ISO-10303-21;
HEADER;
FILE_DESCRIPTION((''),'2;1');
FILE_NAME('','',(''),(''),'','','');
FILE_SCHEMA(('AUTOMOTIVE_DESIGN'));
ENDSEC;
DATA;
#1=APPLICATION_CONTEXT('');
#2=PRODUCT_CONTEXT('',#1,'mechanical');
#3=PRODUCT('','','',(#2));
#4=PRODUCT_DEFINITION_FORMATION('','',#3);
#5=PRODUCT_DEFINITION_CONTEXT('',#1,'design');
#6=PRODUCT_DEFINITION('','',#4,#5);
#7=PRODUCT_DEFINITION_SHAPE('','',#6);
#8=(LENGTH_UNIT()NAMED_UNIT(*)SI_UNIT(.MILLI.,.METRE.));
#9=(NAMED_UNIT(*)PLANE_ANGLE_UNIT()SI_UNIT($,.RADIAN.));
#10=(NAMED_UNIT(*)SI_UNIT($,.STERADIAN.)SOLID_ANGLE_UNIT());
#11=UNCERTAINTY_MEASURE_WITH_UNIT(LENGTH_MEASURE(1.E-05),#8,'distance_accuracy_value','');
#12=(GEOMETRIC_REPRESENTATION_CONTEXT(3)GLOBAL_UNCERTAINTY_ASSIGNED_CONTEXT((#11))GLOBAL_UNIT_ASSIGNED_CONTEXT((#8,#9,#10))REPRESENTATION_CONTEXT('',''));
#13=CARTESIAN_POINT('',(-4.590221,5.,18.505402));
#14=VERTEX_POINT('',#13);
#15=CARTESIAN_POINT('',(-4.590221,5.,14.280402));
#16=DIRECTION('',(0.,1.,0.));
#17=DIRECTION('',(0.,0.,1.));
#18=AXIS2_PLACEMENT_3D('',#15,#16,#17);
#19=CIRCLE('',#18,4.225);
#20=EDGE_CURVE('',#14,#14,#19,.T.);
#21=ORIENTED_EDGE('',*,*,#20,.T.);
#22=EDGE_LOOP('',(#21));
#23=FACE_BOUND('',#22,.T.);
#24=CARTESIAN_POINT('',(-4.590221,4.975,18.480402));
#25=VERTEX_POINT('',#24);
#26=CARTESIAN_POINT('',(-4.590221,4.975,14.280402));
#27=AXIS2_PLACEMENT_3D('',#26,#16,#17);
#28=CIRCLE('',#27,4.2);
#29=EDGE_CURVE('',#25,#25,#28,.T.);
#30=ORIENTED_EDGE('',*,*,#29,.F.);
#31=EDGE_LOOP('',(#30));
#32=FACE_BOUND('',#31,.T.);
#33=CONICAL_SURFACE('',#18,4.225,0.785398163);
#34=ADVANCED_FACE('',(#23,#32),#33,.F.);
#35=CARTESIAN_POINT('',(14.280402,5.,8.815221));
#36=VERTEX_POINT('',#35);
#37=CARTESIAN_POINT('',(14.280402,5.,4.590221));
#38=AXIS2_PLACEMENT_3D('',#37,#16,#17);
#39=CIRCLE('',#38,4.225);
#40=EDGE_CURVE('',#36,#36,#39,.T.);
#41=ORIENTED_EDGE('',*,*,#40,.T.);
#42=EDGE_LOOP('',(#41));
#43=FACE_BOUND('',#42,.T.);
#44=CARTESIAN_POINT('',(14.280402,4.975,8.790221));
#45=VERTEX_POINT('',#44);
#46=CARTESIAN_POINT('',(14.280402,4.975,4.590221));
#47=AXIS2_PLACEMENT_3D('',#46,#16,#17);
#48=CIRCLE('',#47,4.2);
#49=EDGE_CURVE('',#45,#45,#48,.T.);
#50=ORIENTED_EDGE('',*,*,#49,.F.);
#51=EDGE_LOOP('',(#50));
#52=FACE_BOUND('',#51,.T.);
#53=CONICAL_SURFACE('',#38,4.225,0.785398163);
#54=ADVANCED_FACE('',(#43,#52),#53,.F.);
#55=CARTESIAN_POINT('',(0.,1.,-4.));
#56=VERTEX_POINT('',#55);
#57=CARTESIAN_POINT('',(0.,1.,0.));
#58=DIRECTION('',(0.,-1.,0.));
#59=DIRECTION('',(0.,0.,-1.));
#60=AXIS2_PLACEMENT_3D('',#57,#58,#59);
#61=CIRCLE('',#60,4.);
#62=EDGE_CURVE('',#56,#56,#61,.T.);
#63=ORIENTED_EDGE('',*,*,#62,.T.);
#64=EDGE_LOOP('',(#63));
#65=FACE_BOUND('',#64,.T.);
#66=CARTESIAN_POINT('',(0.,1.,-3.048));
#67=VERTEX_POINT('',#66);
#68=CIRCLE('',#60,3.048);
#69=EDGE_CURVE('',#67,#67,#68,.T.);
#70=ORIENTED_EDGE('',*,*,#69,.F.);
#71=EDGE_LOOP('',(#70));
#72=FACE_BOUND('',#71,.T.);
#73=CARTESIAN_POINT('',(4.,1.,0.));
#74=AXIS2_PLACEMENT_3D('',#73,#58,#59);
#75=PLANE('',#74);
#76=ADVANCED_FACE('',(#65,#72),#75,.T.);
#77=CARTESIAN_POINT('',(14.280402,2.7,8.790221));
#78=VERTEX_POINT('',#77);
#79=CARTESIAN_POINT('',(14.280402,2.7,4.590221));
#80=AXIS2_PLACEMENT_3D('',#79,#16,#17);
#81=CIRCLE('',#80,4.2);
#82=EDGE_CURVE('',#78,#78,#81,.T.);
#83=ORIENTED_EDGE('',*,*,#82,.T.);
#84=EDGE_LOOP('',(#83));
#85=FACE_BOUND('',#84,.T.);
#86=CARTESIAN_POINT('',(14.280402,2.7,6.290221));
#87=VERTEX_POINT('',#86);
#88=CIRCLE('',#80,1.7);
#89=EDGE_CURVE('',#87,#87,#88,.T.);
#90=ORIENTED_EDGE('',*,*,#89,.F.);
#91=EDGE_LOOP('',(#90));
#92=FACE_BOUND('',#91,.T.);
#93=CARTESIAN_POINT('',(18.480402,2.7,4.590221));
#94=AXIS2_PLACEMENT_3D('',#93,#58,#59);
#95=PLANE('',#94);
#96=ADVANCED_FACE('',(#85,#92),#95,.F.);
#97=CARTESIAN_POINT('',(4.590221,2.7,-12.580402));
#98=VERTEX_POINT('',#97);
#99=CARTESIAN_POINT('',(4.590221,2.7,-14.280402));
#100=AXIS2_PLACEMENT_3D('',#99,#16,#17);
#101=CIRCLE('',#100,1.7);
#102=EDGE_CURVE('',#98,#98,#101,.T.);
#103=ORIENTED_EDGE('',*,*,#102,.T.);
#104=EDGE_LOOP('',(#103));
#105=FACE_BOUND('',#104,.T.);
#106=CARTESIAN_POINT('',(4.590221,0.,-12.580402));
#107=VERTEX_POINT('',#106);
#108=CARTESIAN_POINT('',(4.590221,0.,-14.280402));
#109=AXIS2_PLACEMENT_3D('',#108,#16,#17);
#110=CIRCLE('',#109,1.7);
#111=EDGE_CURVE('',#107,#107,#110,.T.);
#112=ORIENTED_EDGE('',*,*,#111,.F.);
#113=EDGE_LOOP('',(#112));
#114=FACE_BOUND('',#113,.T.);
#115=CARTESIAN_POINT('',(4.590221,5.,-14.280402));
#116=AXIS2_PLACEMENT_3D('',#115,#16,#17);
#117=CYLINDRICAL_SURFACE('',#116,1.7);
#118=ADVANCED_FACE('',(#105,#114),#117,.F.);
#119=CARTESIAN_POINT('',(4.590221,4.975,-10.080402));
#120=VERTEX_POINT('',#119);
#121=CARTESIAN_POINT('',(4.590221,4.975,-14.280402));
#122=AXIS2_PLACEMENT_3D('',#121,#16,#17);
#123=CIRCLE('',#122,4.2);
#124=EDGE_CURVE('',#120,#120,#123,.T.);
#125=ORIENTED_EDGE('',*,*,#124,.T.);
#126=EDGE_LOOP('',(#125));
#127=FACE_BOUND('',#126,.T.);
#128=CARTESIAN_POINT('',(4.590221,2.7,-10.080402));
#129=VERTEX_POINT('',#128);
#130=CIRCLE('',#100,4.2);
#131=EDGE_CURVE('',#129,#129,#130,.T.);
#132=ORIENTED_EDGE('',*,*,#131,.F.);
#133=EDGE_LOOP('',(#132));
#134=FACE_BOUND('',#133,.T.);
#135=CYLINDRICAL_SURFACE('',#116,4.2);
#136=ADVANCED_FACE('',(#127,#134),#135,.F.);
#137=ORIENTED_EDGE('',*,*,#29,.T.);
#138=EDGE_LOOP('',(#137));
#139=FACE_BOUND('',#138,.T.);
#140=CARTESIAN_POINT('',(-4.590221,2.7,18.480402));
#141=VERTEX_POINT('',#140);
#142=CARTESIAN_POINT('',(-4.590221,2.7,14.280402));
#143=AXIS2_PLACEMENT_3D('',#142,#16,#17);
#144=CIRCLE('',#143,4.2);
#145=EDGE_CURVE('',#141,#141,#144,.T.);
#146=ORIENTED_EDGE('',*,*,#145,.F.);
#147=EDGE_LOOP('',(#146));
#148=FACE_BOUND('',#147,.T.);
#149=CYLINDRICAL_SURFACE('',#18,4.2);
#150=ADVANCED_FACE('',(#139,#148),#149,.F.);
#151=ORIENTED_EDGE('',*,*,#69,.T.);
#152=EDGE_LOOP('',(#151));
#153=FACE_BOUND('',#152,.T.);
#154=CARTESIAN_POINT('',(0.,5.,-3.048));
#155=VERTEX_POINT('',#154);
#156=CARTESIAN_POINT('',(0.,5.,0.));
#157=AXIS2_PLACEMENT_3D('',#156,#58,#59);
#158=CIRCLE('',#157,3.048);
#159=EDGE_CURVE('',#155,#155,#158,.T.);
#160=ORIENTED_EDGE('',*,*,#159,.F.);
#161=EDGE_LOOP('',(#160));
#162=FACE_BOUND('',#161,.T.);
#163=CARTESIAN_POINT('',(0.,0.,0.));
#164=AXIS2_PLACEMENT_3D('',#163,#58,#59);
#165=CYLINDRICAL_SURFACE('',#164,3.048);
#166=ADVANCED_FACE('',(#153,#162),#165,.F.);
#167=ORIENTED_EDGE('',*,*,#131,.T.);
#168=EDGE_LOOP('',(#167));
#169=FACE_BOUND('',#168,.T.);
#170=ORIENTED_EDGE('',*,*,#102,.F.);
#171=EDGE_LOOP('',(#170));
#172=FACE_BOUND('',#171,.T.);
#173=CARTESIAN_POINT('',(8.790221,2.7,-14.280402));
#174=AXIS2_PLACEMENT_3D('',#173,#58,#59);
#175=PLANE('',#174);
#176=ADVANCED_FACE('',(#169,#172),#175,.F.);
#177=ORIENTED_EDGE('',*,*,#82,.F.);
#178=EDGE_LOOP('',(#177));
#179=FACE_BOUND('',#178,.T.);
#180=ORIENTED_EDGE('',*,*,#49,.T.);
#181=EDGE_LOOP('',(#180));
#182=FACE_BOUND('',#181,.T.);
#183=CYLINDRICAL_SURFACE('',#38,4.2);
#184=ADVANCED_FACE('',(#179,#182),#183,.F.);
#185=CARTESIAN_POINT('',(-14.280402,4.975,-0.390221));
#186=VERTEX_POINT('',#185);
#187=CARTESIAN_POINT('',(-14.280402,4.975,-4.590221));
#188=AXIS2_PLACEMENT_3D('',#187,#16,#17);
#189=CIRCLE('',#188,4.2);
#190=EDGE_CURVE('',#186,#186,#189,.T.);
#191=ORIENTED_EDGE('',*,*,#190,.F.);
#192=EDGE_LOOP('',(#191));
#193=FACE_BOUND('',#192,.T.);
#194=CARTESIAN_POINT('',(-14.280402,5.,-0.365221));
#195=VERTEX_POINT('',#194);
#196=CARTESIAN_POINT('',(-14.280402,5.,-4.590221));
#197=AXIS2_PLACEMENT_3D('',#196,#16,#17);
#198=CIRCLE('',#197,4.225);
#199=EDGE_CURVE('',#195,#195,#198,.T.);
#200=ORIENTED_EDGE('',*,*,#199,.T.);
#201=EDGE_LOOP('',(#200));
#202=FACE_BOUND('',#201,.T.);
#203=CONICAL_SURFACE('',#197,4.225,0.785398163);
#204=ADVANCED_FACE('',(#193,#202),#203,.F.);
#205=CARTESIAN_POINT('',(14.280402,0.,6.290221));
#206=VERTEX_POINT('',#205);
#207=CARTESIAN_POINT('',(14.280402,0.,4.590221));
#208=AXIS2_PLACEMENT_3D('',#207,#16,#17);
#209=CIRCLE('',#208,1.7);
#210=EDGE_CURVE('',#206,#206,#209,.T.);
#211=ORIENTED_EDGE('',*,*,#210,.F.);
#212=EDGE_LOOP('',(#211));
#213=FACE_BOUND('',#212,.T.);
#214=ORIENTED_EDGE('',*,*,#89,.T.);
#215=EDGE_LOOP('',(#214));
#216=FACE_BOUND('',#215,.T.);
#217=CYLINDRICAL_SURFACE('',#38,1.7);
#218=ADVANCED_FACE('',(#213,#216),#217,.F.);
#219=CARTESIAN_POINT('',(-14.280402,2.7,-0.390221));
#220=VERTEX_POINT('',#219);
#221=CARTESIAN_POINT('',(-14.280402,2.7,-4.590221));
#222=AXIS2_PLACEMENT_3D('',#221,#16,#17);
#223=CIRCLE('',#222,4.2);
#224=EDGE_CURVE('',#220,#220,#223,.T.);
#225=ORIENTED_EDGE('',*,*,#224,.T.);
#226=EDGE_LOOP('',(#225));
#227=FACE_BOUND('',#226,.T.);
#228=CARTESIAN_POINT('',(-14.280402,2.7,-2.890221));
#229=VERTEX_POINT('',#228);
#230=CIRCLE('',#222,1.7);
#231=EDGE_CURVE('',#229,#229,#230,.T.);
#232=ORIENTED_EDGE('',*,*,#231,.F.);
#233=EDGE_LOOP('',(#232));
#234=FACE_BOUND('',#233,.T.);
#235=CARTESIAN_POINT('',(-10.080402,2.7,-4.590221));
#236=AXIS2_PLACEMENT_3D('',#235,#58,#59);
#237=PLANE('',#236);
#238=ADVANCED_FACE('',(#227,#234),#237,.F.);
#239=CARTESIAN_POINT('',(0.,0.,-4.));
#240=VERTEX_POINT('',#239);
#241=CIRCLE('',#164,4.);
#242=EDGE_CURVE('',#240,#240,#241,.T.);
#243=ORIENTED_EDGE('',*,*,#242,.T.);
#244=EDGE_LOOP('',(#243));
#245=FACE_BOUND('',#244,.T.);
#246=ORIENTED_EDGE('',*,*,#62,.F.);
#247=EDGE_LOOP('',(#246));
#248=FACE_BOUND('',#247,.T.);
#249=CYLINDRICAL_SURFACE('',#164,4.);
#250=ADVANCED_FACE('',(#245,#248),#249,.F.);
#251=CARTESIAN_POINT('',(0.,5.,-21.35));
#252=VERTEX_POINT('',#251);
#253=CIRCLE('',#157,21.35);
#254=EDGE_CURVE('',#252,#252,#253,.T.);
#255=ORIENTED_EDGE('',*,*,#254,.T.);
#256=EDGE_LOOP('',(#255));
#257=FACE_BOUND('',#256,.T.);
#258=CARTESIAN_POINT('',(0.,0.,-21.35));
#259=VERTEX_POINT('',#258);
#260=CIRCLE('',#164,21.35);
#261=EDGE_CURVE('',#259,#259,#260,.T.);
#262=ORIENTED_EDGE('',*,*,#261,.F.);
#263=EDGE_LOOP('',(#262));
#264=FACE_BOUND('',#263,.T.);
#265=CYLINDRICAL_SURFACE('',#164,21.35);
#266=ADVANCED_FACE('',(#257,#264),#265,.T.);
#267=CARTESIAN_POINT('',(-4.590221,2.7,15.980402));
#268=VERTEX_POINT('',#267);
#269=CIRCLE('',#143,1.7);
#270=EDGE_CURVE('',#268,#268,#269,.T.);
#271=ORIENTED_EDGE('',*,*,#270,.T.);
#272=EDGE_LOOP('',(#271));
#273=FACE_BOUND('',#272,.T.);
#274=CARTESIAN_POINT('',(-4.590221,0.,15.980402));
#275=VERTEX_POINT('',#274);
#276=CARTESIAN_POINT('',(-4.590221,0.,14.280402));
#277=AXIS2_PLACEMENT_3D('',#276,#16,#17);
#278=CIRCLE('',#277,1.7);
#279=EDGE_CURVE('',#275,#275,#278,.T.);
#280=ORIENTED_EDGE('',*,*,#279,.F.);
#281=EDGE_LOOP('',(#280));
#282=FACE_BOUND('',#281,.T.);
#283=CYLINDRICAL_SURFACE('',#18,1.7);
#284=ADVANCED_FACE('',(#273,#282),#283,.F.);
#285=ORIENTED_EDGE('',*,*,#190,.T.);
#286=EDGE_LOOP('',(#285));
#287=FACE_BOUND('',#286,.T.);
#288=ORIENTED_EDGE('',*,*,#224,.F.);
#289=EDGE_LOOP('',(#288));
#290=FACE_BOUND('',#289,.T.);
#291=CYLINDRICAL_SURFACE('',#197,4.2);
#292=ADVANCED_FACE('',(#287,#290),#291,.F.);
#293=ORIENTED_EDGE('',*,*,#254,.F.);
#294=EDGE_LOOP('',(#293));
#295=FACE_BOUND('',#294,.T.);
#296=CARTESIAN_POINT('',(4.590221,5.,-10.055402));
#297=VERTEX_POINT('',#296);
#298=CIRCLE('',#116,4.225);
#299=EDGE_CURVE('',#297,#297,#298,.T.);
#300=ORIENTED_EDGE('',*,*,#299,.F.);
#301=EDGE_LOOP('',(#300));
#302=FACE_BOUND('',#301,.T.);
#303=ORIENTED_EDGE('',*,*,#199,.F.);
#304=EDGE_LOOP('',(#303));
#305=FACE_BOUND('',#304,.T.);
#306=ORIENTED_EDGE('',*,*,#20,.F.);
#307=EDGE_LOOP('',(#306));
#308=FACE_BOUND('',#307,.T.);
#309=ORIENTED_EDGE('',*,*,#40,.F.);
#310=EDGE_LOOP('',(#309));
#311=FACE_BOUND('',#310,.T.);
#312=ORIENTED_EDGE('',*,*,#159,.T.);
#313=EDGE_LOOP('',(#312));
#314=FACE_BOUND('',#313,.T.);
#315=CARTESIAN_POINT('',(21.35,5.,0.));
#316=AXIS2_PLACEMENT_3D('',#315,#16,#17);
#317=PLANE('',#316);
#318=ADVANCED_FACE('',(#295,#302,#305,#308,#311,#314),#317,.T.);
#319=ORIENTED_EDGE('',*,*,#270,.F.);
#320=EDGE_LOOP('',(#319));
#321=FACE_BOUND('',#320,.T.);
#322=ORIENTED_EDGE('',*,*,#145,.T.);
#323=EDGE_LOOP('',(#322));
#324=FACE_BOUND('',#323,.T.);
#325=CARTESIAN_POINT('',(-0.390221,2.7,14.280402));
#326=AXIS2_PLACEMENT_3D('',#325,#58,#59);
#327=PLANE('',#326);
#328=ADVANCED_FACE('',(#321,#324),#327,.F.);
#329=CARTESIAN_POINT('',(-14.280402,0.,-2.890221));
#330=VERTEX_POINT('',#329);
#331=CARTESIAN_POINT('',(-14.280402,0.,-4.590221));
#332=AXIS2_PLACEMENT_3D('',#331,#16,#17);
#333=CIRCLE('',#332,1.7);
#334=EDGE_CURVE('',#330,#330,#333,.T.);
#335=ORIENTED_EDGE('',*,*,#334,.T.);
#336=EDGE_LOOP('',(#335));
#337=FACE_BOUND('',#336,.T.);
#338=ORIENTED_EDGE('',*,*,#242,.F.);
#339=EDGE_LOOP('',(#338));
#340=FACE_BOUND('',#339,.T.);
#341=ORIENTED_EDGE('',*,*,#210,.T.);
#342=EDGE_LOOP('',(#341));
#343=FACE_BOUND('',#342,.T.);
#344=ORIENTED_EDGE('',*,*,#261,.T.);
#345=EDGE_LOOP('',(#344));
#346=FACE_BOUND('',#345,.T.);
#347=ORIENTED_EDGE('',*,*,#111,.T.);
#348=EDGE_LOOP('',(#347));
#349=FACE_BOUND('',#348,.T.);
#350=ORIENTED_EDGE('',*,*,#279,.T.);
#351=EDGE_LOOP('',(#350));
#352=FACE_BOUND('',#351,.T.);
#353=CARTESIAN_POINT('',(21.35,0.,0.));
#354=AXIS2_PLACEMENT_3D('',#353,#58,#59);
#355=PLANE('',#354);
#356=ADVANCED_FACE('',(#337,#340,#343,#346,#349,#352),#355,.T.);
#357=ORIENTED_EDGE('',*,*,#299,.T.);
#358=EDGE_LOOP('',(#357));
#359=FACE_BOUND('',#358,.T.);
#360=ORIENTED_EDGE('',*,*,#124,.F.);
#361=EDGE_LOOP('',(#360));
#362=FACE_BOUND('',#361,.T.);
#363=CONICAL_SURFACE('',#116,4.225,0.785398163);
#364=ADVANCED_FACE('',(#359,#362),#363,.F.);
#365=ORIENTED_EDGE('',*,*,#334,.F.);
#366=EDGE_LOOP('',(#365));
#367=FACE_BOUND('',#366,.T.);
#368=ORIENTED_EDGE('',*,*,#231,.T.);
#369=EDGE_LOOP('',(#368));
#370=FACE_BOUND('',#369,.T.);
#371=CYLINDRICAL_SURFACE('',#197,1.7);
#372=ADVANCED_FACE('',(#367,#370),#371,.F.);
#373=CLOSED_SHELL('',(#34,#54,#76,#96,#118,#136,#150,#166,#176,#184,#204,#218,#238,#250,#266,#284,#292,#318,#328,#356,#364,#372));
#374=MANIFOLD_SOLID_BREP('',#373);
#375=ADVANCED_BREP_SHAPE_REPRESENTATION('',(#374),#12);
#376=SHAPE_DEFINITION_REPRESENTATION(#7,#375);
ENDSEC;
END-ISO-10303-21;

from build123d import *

# Parameters (mm, degrees)
CBORE_FOR_M3_HEX_HEAD_MACHINE_SCREW1_AT_COUNT = 2
CBORE_FOR_M3_HEX_HEAD_MACHINE_SCREW1_AT_PITCH = 21.213203436
CBORE_FOR_M3_HEX_HEAD_MACHINE_SCREW1_2_COUNT  = 2
CBORE_FOR_M3_HEX_HEAD_MACHINE_SCREW1_2_PITCH  = 21.213203436
CBORE_FOR_M3_HEX_HEAD_MACHINE_SCREW1_3_COUNT  = 2
CBORE_FOR_M3_HEX_HEAD_MACHINE_SCREW1_3_PITCH  = 30


with BuildPart() as part:
    # Sketch1 → Revolve1 (revolve)
    with BuildSketch(Plane.XY, mode=Mode.PRIVATE) as revolve1_sk:
        Polygon((21.35, 0), (21.35, 5), (3.048, 5), (3.048, 1), (4, 1), (4, 0), align=None)
    revolve(revolve1_sk.sketch.rotate(Axis((0, 0, 0), (0, 1, 0)), 90), axis=Axis((0, 0, 0), (0, 1, 0)))

    # Sketch3 → CBORE for M3 Hex Head Machine Screw1 (revolve, cut)
    with BuildSketch(Plane(origin=(4.590221075, 5, -14.280401622), x_dir=(0, 0, 1), z_dir=(1, 0, 0))):
        Polygon((0, 0), (0, 5), (1.7, 5), (1.7, 2.3), (4.2, 2.3), (4.2, 0.025), (4.225, 0), align=None)
    cbore_for_m3_hex_head_machine_screw1 = revolve(axis=Axis((4.590221075, 11.35, -14.280401622), (0, -1, 0)), mode=Mode.SUBTRACT)

    # CBORE for M3 Hex Head Machine Screw1 at: CBORE for M3 Hex Head Machine Screw1 ×2
    with Locations(*[Vector(-0.8895696849339428, 0, 0.4567994917319041) * (i * CBORE_FOR_M3_HEX_HEAD_MACHINE_SCREW1_AT_PITCH) for i in range(1, CBORE_FOR_M3_HEX_HEAD_MACHINE_SCREW1_AT_COUNT)]):
        add(cbore_for_m3_hex_head_machine_screw1, mode=Mode.SUBTRACT)

    # CBORE for M3 Hex Head Machine Screw1 2: CBORE for M3 Hex Head Machine Screw1 ×2
    with Locations(*[Vector(0.4567994917319041, 0, 0.8895696849339427) * (i * CBORE_FOR_M3_HEX_HEAD_MACHINE_SCREW1_2_PITCH) for i in range(1, CBORE_FOR_M3_HEX_HEAD_MACHINE_SCREW1_2_COUNT)]):
        add(cbore_for_m3_hex_head_machine_screw1, mode=Mode.SUBTRACT)

    # CBORE for M3 Hex Head Machine Screw1 3: CBORE for M3 Hex Head Machine Screw1 ×2
    with Locations(*[Vector(-0.3060147383085738, 0, 0.9520267748009691) * (i * CBORE_FOR_M3_HEX_HEAD_MACHINE_SCREW1_3_PITCH) for i in range(1, CBORE_FOR_M3_HEX_HEAD_MACHINE_SCREW1_3_COUNT)]):
        add(cbore_for_m3_hex_head_machine_screw1, mode=Mode.SUBTRACT)


solid = part.part
